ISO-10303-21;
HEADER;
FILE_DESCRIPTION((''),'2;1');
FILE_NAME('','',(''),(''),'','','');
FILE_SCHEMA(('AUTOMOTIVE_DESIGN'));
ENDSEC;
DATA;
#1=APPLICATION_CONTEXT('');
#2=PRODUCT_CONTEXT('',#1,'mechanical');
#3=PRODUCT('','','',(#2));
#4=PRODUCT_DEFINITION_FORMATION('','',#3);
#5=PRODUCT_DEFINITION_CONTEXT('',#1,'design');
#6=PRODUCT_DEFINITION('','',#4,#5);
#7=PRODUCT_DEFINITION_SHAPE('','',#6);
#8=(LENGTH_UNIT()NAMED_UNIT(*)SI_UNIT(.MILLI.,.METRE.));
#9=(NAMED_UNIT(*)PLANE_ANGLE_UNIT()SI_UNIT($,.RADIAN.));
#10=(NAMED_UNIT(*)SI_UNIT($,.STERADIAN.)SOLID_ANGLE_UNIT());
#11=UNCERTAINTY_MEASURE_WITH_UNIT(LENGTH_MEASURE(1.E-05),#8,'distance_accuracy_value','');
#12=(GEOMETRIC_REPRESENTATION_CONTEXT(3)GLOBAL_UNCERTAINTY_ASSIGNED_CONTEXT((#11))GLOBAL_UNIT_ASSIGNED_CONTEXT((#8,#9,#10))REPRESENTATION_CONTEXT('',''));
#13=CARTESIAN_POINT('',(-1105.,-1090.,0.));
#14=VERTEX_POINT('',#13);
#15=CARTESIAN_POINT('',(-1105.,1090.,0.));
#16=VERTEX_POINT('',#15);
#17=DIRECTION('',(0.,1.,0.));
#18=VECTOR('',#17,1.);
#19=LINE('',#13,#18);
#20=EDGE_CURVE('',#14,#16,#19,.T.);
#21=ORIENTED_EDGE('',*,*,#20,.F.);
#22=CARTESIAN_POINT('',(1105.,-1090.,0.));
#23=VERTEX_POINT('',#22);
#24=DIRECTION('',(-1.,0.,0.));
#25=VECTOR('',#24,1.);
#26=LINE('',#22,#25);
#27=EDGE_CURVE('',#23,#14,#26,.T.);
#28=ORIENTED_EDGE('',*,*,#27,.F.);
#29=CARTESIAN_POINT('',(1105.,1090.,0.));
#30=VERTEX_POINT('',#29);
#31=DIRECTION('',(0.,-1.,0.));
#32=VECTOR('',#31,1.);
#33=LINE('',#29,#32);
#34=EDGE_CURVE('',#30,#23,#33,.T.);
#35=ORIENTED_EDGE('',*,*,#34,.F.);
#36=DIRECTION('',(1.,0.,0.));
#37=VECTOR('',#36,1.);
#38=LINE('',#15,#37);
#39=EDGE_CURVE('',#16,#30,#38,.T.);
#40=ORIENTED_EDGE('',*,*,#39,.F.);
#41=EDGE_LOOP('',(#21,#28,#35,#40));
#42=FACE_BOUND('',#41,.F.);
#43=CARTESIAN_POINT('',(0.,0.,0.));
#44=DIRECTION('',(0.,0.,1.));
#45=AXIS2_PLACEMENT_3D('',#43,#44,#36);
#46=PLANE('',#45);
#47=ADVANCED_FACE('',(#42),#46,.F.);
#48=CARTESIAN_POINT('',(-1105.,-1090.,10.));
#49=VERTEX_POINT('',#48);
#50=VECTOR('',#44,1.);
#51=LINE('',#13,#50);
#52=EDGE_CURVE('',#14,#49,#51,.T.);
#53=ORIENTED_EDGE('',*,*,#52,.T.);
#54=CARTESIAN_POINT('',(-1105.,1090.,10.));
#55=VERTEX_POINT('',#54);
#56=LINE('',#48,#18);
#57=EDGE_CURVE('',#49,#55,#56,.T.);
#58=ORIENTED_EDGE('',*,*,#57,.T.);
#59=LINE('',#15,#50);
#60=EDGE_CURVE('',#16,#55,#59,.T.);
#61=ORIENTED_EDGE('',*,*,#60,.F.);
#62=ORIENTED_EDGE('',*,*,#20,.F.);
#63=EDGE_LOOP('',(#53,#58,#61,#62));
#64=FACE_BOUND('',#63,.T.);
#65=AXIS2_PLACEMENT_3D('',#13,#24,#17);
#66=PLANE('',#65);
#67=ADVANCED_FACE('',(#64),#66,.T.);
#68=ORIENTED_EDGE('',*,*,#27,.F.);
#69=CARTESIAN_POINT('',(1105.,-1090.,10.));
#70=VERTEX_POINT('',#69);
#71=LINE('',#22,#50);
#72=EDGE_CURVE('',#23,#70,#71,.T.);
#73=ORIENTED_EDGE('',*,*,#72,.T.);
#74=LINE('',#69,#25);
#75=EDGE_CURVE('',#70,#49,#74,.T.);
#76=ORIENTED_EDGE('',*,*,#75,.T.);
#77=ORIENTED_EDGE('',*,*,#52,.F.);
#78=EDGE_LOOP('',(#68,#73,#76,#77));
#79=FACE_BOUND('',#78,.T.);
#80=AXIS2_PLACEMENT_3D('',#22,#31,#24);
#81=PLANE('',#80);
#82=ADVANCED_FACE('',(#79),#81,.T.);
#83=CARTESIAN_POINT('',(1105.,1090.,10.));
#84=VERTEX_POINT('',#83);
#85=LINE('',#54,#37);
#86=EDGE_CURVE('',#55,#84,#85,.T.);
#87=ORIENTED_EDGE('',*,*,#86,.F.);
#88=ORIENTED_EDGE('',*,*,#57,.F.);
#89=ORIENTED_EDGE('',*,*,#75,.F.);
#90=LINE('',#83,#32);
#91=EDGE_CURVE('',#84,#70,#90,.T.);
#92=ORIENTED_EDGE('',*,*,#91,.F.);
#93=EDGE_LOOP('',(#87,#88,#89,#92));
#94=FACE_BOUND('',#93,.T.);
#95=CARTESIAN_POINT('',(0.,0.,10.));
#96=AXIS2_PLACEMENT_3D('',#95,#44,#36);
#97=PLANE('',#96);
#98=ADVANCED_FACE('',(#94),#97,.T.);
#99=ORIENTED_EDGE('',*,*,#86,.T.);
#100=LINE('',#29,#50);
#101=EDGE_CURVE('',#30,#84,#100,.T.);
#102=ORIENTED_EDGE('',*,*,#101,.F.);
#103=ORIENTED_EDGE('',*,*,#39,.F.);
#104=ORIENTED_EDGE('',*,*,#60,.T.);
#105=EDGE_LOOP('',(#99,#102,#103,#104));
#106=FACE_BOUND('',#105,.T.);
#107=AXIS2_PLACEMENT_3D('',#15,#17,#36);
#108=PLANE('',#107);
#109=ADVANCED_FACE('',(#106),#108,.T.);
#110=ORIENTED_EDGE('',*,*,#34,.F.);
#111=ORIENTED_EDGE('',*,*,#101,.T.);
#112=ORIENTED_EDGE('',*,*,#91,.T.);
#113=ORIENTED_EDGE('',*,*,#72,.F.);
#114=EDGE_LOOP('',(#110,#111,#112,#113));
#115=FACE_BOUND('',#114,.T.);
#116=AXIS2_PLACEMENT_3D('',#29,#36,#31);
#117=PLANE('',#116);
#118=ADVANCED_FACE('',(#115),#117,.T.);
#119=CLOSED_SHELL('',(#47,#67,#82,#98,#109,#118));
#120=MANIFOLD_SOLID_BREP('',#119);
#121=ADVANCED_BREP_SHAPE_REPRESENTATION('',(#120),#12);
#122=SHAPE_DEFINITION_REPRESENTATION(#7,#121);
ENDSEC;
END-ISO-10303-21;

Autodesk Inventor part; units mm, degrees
ref_plane "YZ Plane" through (0, 0, 0) normal (1, 0, 0) x (0, 1, 0)
ref_plane "XZ Plane" through (0, 0, 0) normal (0, 1, 0) x (-1, 0, 0)
ref_plane "XY Plane" through (0, 0, 0) normal (0, 0, 1) x (1, 0, 0)
sketch "Sketch1" plane through (0, 0, 0) normal (0, 0, 1) x (1, 0, 0)
  line L0 (-1105, 1090) -> (1105, 1090)
  line L1 (1105, 1090) -> (1105, -1090)
  line L2 (1105, -1090) -> (-1105, -1090)
  line L3 (-1105, -1090) -> (-1105, 1090)
  line L4 (-1105, 1090) -> (1105, -1090) construction
  line L5 (1105, 1090) -> (-1105, -1090) construction
  point P0 (0, 0)
  dimension "d0" = 2180
  dimension "d1" = 2210
extrude "Extrusion1" add sketch "Sketch1" along normal blind 10
equation "\"BendReliefDepth\" = 0.5 * Thickness"
equation "\"Thickness\" = 10"
properties part number "ДМФ 013 дно"
